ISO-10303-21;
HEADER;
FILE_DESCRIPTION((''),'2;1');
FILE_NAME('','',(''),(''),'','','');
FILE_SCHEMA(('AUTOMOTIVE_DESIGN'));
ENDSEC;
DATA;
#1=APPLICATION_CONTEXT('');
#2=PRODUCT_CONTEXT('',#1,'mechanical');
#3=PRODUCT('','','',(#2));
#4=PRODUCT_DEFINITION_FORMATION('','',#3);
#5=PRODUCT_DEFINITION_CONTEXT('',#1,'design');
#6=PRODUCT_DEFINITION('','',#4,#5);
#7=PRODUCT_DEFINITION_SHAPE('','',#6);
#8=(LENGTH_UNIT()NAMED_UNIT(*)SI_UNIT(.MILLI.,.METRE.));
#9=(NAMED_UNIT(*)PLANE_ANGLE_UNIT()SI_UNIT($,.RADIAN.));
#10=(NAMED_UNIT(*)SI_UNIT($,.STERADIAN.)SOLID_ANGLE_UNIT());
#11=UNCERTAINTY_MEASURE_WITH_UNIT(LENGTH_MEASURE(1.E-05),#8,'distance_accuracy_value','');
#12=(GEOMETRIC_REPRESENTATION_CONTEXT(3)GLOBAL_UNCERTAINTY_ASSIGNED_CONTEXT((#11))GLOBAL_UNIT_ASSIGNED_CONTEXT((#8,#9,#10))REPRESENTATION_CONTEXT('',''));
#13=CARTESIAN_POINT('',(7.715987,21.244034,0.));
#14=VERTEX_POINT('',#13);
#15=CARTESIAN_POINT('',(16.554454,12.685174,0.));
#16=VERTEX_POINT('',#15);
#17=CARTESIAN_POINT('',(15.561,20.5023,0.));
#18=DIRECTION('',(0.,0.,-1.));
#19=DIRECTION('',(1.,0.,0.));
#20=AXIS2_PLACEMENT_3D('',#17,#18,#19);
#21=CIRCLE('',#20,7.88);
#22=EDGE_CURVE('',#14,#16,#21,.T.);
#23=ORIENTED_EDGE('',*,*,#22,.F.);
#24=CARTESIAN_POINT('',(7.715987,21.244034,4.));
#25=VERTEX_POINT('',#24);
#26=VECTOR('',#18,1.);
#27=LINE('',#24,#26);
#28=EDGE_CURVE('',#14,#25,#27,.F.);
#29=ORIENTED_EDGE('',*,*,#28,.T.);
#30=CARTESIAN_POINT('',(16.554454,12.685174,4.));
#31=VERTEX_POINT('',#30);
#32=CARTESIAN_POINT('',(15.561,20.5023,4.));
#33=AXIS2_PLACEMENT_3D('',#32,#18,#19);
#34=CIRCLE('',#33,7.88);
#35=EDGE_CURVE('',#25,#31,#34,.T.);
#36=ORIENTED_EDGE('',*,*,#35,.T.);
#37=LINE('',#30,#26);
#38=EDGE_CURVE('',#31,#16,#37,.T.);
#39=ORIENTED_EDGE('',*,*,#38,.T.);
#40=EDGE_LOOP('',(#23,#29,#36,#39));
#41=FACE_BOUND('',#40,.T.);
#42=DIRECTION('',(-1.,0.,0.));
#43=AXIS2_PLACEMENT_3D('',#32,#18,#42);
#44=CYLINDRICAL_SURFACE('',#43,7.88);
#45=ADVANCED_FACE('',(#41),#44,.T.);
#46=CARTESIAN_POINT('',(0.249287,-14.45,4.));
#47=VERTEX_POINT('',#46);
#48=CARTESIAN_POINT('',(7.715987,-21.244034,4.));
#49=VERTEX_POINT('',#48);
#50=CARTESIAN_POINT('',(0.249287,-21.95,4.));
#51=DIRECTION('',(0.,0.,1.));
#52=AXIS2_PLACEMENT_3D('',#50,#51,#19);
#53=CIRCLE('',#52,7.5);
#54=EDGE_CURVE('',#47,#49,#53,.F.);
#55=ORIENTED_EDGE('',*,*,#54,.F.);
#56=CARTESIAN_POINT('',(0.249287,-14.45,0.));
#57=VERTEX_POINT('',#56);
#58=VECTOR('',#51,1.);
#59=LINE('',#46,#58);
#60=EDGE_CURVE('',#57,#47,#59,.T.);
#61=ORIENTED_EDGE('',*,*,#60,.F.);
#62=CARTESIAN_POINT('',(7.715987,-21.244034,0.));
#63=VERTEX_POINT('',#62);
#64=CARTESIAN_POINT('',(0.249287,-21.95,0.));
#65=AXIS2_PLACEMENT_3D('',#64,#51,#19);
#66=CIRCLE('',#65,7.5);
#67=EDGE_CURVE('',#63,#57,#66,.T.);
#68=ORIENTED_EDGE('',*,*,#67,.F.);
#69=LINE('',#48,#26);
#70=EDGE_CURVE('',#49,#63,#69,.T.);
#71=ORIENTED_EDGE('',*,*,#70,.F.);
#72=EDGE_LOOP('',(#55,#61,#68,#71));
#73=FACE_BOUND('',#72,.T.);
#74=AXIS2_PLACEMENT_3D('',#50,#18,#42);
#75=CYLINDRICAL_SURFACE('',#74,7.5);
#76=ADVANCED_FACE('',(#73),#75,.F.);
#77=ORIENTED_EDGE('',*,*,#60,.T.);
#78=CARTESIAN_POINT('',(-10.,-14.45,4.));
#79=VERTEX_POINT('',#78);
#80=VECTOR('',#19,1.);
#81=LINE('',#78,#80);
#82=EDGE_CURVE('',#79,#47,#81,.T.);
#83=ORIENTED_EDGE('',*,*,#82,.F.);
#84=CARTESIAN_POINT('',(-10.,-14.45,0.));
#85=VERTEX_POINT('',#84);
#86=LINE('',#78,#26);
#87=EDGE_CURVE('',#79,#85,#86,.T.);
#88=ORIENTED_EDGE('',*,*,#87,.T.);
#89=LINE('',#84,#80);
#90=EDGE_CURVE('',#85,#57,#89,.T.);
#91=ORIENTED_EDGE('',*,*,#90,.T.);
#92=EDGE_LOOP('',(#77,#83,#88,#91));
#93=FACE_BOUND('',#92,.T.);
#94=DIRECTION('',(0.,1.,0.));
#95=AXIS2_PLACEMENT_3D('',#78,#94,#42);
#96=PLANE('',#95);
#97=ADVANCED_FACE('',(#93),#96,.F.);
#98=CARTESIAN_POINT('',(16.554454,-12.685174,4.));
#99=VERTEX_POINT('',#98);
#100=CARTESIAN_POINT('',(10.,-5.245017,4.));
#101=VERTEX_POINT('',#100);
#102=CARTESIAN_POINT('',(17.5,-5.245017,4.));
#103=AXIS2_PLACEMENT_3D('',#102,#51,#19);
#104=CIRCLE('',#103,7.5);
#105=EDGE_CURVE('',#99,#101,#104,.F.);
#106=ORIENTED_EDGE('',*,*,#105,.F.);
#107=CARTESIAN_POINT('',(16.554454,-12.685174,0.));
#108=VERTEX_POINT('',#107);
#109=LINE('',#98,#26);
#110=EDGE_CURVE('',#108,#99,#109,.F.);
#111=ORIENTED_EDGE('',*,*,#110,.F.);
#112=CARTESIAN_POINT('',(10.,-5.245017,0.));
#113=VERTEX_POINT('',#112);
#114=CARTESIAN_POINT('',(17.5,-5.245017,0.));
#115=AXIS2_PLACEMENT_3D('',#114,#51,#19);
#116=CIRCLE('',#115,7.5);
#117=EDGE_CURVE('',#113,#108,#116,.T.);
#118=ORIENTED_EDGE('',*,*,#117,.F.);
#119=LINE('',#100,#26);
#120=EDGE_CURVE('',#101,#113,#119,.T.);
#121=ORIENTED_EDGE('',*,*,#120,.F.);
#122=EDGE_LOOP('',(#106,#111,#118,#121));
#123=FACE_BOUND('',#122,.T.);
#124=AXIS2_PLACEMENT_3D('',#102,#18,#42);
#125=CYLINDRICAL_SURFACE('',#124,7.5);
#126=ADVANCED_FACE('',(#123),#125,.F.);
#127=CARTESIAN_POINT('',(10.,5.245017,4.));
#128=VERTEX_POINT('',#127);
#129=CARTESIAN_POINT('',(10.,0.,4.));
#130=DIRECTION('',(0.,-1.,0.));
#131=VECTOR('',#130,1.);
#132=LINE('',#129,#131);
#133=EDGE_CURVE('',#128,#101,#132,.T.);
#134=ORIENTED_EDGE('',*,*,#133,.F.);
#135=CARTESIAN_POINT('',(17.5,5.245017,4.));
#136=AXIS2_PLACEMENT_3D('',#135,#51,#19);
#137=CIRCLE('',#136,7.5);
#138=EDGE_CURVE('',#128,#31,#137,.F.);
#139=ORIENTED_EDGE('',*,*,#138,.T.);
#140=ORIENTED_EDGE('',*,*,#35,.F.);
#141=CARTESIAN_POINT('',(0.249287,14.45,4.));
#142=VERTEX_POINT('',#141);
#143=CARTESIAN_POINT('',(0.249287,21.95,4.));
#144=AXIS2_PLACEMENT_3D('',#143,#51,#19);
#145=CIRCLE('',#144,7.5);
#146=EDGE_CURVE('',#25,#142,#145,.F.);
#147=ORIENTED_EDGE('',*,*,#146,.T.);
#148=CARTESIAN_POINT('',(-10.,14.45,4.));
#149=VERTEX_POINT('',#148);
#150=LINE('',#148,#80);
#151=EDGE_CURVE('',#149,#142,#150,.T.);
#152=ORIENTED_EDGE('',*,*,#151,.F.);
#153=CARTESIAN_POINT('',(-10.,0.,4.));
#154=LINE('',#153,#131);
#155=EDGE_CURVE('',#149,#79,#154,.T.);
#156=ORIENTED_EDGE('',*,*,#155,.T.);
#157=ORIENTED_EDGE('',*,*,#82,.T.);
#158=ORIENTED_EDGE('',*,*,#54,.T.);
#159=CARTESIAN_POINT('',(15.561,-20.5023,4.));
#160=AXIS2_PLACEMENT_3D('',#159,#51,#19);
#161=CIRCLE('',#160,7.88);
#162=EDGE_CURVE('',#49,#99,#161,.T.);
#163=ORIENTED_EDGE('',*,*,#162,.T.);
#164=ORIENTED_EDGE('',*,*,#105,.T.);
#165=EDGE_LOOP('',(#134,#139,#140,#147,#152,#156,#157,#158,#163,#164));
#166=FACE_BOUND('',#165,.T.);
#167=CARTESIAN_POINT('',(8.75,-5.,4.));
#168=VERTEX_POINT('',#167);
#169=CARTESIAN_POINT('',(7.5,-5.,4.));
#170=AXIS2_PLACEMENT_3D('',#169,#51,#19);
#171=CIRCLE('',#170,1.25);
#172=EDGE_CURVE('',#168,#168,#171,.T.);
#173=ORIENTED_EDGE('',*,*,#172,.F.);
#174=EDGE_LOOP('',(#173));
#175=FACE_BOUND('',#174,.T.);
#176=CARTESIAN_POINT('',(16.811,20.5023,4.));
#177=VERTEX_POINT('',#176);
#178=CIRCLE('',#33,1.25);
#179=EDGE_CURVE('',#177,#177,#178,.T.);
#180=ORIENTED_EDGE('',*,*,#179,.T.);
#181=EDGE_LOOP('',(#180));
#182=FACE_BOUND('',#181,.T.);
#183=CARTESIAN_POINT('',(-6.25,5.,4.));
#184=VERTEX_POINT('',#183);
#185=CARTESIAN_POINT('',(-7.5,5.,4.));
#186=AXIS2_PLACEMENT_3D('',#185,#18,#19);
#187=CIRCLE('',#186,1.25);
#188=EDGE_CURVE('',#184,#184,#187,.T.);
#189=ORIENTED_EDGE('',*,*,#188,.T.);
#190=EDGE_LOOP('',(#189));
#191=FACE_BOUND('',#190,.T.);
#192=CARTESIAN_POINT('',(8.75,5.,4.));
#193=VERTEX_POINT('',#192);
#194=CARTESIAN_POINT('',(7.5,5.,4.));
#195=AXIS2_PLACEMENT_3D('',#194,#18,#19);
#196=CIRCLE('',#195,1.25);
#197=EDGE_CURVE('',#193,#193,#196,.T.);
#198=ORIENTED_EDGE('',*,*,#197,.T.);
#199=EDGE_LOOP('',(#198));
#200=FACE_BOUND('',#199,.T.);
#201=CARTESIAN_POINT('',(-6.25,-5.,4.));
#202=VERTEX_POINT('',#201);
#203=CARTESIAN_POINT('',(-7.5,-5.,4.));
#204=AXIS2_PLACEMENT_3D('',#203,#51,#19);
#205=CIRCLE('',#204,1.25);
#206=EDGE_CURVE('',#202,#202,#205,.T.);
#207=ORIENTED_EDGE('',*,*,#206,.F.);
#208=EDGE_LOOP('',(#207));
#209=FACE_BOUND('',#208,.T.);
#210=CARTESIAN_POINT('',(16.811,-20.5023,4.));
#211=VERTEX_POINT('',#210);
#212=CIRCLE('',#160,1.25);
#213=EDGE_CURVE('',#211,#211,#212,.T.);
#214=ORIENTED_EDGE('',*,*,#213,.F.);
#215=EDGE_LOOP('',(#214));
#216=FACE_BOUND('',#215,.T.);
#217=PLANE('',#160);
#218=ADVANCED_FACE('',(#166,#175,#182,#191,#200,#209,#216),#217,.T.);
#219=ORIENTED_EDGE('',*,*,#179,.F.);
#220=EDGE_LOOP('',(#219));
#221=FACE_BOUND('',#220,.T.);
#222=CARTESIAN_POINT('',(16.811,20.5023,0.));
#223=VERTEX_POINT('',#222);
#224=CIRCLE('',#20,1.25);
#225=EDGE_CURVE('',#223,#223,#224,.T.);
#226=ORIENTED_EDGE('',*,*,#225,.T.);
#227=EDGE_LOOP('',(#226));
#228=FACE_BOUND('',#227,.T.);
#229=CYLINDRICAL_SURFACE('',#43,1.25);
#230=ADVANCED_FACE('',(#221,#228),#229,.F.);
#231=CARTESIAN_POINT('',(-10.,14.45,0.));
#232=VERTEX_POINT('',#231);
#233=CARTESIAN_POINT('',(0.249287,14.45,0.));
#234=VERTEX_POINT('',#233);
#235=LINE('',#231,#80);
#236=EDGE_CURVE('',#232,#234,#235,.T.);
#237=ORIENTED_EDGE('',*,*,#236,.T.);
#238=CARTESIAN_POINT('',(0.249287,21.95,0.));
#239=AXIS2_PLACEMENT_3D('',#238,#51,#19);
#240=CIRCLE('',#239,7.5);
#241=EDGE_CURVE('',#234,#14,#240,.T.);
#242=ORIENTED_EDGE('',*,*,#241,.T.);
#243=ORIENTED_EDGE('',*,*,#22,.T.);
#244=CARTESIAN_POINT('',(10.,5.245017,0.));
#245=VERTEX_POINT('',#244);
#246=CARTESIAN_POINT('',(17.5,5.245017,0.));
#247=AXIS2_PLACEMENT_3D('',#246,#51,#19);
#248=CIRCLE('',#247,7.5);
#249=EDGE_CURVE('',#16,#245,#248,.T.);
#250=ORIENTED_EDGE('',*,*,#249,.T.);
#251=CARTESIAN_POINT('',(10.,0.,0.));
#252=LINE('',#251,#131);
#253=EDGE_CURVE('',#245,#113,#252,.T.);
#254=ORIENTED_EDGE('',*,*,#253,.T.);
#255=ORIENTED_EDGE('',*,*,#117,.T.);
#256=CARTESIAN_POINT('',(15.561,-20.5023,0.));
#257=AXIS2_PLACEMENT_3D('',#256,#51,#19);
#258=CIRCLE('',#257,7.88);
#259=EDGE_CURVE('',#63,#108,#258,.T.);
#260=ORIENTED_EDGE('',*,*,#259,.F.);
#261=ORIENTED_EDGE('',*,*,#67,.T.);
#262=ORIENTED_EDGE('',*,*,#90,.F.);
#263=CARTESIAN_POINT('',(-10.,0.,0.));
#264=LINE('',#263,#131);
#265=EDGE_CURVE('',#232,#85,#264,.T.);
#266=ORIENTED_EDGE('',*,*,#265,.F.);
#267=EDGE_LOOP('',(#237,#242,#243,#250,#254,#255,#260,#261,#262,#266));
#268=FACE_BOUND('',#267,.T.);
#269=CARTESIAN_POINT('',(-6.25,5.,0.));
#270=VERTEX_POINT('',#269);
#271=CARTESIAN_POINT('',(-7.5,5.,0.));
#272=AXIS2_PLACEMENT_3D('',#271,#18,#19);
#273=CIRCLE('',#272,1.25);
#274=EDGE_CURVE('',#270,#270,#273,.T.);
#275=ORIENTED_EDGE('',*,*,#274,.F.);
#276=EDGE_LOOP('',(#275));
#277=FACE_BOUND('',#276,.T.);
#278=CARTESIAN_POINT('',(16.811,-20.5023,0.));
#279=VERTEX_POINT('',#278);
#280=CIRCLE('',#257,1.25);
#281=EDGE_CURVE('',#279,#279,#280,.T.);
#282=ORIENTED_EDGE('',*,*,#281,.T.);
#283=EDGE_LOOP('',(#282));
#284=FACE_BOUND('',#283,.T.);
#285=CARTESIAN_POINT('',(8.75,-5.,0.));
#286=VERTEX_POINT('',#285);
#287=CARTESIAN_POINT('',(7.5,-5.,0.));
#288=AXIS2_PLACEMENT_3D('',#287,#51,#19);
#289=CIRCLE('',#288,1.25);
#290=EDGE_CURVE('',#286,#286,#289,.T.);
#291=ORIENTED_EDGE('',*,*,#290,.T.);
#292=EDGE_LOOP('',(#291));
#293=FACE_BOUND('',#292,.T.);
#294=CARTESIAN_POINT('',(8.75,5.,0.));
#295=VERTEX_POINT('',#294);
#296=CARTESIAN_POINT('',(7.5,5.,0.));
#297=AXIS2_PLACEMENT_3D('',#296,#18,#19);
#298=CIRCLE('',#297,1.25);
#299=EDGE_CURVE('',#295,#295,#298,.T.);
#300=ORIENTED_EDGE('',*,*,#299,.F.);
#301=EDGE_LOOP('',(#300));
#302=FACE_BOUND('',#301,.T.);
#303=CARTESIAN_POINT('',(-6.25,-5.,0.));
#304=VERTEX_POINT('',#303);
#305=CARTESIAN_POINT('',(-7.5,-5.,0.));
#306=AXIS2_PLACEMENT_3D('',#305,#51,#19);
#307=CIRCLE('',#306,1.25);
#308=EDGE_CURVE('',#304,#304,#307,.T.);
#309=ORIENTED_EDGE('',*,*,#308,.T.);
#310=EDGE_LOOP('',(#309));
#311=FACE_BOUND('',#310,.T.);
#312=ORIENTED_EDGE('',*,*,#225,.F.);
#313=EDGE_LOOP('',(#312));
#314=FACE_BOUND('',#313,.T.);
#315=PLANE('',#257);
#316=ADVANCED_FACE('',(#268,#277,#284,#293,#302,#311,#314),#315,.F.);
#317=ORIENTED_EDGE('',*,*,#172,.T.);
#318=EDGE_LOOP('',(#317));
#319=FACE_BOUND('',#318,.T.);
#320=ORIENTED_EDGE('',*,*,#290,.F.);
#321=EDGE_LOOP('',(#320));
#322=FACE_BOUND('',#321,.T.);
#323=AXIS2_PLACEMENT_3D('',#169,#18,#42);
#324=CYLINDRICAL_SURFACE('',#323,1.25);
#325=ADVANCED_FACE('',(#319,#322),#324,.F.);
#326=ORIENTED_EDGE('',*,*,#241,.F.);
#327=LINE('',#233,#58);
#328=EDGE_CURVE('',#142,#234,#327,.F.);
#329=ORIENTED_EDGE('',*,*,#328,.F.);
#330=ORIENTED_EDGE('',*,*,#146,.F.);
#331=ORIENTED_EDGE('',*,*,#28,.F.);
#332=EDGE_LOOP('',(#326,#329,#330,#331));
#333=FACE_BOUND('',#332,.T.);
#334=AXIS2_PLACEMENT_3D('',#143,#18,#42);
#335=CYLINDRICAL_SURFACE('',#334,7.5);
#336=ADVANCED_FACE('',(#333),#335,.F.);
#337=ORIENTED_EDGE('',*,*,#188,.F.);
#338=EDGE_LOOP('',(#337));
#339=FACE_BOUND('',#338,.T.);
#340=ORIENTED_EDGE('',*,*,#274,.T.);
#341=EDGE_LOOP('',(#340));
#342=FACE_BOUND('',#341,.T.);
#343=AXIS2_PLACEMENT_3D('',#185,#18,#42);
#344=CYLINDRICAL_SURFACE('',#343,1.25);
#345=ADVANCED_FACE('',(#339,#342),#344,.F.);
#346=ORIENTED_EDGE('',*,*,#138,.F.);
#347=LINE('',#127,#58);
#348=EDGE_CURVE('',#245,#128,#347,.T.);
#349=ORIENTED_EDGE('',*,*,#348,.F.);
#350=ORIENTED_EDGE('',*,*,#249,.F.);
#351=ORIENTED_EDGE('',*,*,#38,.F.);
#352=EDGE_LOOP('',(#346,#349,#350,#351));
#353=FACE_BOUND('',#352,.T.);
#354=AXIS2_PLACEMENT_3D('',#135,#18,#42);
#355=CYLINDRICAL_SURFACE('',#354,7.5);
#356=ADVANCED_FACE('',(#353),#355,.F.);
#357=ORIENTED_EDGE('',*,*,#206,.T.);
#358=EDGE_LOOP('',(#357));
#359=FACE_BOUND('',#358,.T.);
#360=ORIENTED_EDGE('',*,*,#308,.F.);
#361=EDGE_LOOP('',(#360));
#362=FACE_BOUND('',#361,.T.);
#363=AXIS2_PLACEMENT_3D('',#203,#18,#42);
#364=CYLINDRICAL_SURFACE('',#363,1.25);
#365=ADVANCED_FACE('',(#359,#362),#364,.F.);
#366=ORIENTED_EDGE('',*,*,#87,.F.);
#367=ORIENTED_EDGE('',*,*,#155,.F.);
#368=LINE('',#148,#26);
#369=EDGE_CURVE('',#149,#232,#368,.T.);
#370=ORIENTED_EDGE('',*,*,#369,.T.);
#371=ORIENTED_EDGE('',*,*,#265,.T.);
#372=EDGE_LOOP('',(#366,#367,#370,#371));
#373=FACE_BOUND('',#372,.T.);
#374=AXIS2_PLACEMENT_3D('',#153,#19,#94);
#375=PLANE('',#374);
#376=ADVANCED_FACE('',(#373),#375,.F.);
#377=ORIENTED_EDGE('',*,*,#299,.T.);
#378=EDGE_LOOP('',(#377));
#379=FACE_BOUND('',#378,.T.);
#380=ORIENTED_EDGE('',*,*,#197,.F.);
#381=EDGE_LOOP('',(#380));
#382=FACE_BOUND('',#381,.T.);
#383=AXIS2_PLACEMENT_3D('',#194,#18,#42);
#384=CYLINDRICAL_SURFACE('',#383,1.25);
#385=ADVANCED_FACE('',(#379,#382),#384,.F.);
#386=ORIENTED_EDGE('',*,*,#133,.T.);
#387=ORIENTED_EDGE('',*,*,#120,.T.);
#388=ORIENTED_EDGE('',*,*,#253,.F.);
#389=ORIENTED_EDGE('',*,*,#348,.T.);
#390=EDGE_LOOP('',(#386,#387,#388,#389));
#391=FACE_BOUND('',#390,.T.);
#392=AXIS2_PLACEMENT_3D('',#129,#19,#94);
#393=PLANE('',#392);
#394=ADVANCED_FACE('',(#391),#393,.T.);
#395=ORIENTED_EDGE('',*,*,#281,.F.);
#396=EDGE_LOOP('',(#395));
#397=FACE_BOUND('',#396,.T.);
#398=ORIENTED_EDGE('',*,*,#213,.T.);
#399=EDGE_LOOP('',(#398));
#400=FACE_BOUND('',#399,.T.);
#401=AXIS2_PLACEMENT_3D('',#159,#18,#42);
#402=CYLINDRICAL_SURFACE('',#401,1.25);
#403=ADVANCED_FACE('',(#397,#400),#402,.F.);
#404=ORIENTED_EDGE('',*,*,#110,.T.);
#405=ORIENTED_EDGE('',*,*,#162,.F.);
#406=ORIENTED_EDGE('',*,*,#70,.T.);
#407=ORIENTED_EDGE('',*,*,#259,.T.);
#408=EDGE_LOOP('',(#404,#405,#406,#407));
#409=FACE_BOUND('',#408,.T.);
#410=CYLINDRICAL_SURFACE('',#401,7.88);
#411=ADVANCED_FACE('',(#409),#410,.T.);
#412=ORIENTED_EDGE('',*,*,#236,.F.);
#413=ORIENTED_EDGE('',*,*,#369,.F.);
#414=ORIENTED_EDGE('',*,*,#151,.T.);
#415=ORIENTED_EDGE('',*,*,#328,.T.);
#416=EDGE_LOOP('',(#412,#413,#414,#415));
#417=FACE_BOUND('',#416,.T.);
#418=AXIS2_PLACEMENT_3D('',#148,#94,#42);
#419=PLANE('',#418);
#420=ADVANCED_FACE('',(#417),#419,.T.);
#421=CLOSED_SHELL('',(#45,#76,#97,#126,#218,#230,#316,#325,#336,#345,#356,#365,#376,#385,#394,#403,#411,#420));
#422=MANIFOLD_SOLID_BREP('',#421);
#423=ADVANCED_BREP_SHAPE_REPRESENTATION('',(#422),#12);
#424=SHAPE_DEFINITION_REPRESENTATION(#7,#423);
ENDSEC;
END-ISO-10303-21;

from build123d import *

# Parameters (mm, degrees)
SKETCH1_R            = 1.25
BOSS_EXTRUDE1_DEPTH  = 4
FILLET1_R            = 7.5
FILLET1_OF_MIRROR1_R = 7.5


with BuildPart() as part:
    # Sketch1 → Boss-Extrude1 (new body)
    with BuildSketch(Plane.XY):
        with BuildLine():
            Line((-10, -14.45), (7.681, -14.45))
            Line((7.681, -14.45), (7.681, -20.50229958))
            ThreePointArc((7.681, -20.50229958), (21.133001436, -26.074301016), (15.561, -12.62229958))
            Line((15.561, -12.62229958), (10, -12.62229958))
            Line((10, -12.62229958), (10, 0))
            Line((10, 0), (-10, 0))
            Line((-10, 0), (-10, -14.45))
        make_face()
        with Locations((-7.5, -5)):
            Circle(SKETCH1_R, mode=Mode.SUBTRACT)
        with Locations((7.5, -5)):
            Circle(SKETCH1_R, mode=Mode.SUBTRACT)
        with Locations((15.561, -20.50229958)):
            Circle(SKETCH1_R, mode=Mode.SUBTRACT)
    boss_extrude1 = extrude(amount=BOSS_EXTRUDE1_DEPTH)

    # Fillet1
    fillet1_edges = [part.edges().sort_by_distance(p)[0] for p in [
        (7.681, -14.45, 2),
        (10, -12.62229958, 2),
    ]]
    fillet(fillet1_edges, radius=FILLET1_R)

    # Mirror1: Boss-Extrude1 across plane
    add(boss_extrude1.mirror(Plane(origin=(-10, 0, 4), x_dir=(0, 0, 1), z_dir=(0, 1, 0))))

    # Fillet1 of Mirror1
    fillet1_of_mirror1_edges = [part.edges().sort_by_distance(p)[0] for p in [
        (7.681, 14.45, 2),
        (10, 12.62229958, 2),
    ]]
    fillet(fillet1_of_mirror1_edges, radius=FILLET1_OF_MIRROR1_R)


solid = part.part
